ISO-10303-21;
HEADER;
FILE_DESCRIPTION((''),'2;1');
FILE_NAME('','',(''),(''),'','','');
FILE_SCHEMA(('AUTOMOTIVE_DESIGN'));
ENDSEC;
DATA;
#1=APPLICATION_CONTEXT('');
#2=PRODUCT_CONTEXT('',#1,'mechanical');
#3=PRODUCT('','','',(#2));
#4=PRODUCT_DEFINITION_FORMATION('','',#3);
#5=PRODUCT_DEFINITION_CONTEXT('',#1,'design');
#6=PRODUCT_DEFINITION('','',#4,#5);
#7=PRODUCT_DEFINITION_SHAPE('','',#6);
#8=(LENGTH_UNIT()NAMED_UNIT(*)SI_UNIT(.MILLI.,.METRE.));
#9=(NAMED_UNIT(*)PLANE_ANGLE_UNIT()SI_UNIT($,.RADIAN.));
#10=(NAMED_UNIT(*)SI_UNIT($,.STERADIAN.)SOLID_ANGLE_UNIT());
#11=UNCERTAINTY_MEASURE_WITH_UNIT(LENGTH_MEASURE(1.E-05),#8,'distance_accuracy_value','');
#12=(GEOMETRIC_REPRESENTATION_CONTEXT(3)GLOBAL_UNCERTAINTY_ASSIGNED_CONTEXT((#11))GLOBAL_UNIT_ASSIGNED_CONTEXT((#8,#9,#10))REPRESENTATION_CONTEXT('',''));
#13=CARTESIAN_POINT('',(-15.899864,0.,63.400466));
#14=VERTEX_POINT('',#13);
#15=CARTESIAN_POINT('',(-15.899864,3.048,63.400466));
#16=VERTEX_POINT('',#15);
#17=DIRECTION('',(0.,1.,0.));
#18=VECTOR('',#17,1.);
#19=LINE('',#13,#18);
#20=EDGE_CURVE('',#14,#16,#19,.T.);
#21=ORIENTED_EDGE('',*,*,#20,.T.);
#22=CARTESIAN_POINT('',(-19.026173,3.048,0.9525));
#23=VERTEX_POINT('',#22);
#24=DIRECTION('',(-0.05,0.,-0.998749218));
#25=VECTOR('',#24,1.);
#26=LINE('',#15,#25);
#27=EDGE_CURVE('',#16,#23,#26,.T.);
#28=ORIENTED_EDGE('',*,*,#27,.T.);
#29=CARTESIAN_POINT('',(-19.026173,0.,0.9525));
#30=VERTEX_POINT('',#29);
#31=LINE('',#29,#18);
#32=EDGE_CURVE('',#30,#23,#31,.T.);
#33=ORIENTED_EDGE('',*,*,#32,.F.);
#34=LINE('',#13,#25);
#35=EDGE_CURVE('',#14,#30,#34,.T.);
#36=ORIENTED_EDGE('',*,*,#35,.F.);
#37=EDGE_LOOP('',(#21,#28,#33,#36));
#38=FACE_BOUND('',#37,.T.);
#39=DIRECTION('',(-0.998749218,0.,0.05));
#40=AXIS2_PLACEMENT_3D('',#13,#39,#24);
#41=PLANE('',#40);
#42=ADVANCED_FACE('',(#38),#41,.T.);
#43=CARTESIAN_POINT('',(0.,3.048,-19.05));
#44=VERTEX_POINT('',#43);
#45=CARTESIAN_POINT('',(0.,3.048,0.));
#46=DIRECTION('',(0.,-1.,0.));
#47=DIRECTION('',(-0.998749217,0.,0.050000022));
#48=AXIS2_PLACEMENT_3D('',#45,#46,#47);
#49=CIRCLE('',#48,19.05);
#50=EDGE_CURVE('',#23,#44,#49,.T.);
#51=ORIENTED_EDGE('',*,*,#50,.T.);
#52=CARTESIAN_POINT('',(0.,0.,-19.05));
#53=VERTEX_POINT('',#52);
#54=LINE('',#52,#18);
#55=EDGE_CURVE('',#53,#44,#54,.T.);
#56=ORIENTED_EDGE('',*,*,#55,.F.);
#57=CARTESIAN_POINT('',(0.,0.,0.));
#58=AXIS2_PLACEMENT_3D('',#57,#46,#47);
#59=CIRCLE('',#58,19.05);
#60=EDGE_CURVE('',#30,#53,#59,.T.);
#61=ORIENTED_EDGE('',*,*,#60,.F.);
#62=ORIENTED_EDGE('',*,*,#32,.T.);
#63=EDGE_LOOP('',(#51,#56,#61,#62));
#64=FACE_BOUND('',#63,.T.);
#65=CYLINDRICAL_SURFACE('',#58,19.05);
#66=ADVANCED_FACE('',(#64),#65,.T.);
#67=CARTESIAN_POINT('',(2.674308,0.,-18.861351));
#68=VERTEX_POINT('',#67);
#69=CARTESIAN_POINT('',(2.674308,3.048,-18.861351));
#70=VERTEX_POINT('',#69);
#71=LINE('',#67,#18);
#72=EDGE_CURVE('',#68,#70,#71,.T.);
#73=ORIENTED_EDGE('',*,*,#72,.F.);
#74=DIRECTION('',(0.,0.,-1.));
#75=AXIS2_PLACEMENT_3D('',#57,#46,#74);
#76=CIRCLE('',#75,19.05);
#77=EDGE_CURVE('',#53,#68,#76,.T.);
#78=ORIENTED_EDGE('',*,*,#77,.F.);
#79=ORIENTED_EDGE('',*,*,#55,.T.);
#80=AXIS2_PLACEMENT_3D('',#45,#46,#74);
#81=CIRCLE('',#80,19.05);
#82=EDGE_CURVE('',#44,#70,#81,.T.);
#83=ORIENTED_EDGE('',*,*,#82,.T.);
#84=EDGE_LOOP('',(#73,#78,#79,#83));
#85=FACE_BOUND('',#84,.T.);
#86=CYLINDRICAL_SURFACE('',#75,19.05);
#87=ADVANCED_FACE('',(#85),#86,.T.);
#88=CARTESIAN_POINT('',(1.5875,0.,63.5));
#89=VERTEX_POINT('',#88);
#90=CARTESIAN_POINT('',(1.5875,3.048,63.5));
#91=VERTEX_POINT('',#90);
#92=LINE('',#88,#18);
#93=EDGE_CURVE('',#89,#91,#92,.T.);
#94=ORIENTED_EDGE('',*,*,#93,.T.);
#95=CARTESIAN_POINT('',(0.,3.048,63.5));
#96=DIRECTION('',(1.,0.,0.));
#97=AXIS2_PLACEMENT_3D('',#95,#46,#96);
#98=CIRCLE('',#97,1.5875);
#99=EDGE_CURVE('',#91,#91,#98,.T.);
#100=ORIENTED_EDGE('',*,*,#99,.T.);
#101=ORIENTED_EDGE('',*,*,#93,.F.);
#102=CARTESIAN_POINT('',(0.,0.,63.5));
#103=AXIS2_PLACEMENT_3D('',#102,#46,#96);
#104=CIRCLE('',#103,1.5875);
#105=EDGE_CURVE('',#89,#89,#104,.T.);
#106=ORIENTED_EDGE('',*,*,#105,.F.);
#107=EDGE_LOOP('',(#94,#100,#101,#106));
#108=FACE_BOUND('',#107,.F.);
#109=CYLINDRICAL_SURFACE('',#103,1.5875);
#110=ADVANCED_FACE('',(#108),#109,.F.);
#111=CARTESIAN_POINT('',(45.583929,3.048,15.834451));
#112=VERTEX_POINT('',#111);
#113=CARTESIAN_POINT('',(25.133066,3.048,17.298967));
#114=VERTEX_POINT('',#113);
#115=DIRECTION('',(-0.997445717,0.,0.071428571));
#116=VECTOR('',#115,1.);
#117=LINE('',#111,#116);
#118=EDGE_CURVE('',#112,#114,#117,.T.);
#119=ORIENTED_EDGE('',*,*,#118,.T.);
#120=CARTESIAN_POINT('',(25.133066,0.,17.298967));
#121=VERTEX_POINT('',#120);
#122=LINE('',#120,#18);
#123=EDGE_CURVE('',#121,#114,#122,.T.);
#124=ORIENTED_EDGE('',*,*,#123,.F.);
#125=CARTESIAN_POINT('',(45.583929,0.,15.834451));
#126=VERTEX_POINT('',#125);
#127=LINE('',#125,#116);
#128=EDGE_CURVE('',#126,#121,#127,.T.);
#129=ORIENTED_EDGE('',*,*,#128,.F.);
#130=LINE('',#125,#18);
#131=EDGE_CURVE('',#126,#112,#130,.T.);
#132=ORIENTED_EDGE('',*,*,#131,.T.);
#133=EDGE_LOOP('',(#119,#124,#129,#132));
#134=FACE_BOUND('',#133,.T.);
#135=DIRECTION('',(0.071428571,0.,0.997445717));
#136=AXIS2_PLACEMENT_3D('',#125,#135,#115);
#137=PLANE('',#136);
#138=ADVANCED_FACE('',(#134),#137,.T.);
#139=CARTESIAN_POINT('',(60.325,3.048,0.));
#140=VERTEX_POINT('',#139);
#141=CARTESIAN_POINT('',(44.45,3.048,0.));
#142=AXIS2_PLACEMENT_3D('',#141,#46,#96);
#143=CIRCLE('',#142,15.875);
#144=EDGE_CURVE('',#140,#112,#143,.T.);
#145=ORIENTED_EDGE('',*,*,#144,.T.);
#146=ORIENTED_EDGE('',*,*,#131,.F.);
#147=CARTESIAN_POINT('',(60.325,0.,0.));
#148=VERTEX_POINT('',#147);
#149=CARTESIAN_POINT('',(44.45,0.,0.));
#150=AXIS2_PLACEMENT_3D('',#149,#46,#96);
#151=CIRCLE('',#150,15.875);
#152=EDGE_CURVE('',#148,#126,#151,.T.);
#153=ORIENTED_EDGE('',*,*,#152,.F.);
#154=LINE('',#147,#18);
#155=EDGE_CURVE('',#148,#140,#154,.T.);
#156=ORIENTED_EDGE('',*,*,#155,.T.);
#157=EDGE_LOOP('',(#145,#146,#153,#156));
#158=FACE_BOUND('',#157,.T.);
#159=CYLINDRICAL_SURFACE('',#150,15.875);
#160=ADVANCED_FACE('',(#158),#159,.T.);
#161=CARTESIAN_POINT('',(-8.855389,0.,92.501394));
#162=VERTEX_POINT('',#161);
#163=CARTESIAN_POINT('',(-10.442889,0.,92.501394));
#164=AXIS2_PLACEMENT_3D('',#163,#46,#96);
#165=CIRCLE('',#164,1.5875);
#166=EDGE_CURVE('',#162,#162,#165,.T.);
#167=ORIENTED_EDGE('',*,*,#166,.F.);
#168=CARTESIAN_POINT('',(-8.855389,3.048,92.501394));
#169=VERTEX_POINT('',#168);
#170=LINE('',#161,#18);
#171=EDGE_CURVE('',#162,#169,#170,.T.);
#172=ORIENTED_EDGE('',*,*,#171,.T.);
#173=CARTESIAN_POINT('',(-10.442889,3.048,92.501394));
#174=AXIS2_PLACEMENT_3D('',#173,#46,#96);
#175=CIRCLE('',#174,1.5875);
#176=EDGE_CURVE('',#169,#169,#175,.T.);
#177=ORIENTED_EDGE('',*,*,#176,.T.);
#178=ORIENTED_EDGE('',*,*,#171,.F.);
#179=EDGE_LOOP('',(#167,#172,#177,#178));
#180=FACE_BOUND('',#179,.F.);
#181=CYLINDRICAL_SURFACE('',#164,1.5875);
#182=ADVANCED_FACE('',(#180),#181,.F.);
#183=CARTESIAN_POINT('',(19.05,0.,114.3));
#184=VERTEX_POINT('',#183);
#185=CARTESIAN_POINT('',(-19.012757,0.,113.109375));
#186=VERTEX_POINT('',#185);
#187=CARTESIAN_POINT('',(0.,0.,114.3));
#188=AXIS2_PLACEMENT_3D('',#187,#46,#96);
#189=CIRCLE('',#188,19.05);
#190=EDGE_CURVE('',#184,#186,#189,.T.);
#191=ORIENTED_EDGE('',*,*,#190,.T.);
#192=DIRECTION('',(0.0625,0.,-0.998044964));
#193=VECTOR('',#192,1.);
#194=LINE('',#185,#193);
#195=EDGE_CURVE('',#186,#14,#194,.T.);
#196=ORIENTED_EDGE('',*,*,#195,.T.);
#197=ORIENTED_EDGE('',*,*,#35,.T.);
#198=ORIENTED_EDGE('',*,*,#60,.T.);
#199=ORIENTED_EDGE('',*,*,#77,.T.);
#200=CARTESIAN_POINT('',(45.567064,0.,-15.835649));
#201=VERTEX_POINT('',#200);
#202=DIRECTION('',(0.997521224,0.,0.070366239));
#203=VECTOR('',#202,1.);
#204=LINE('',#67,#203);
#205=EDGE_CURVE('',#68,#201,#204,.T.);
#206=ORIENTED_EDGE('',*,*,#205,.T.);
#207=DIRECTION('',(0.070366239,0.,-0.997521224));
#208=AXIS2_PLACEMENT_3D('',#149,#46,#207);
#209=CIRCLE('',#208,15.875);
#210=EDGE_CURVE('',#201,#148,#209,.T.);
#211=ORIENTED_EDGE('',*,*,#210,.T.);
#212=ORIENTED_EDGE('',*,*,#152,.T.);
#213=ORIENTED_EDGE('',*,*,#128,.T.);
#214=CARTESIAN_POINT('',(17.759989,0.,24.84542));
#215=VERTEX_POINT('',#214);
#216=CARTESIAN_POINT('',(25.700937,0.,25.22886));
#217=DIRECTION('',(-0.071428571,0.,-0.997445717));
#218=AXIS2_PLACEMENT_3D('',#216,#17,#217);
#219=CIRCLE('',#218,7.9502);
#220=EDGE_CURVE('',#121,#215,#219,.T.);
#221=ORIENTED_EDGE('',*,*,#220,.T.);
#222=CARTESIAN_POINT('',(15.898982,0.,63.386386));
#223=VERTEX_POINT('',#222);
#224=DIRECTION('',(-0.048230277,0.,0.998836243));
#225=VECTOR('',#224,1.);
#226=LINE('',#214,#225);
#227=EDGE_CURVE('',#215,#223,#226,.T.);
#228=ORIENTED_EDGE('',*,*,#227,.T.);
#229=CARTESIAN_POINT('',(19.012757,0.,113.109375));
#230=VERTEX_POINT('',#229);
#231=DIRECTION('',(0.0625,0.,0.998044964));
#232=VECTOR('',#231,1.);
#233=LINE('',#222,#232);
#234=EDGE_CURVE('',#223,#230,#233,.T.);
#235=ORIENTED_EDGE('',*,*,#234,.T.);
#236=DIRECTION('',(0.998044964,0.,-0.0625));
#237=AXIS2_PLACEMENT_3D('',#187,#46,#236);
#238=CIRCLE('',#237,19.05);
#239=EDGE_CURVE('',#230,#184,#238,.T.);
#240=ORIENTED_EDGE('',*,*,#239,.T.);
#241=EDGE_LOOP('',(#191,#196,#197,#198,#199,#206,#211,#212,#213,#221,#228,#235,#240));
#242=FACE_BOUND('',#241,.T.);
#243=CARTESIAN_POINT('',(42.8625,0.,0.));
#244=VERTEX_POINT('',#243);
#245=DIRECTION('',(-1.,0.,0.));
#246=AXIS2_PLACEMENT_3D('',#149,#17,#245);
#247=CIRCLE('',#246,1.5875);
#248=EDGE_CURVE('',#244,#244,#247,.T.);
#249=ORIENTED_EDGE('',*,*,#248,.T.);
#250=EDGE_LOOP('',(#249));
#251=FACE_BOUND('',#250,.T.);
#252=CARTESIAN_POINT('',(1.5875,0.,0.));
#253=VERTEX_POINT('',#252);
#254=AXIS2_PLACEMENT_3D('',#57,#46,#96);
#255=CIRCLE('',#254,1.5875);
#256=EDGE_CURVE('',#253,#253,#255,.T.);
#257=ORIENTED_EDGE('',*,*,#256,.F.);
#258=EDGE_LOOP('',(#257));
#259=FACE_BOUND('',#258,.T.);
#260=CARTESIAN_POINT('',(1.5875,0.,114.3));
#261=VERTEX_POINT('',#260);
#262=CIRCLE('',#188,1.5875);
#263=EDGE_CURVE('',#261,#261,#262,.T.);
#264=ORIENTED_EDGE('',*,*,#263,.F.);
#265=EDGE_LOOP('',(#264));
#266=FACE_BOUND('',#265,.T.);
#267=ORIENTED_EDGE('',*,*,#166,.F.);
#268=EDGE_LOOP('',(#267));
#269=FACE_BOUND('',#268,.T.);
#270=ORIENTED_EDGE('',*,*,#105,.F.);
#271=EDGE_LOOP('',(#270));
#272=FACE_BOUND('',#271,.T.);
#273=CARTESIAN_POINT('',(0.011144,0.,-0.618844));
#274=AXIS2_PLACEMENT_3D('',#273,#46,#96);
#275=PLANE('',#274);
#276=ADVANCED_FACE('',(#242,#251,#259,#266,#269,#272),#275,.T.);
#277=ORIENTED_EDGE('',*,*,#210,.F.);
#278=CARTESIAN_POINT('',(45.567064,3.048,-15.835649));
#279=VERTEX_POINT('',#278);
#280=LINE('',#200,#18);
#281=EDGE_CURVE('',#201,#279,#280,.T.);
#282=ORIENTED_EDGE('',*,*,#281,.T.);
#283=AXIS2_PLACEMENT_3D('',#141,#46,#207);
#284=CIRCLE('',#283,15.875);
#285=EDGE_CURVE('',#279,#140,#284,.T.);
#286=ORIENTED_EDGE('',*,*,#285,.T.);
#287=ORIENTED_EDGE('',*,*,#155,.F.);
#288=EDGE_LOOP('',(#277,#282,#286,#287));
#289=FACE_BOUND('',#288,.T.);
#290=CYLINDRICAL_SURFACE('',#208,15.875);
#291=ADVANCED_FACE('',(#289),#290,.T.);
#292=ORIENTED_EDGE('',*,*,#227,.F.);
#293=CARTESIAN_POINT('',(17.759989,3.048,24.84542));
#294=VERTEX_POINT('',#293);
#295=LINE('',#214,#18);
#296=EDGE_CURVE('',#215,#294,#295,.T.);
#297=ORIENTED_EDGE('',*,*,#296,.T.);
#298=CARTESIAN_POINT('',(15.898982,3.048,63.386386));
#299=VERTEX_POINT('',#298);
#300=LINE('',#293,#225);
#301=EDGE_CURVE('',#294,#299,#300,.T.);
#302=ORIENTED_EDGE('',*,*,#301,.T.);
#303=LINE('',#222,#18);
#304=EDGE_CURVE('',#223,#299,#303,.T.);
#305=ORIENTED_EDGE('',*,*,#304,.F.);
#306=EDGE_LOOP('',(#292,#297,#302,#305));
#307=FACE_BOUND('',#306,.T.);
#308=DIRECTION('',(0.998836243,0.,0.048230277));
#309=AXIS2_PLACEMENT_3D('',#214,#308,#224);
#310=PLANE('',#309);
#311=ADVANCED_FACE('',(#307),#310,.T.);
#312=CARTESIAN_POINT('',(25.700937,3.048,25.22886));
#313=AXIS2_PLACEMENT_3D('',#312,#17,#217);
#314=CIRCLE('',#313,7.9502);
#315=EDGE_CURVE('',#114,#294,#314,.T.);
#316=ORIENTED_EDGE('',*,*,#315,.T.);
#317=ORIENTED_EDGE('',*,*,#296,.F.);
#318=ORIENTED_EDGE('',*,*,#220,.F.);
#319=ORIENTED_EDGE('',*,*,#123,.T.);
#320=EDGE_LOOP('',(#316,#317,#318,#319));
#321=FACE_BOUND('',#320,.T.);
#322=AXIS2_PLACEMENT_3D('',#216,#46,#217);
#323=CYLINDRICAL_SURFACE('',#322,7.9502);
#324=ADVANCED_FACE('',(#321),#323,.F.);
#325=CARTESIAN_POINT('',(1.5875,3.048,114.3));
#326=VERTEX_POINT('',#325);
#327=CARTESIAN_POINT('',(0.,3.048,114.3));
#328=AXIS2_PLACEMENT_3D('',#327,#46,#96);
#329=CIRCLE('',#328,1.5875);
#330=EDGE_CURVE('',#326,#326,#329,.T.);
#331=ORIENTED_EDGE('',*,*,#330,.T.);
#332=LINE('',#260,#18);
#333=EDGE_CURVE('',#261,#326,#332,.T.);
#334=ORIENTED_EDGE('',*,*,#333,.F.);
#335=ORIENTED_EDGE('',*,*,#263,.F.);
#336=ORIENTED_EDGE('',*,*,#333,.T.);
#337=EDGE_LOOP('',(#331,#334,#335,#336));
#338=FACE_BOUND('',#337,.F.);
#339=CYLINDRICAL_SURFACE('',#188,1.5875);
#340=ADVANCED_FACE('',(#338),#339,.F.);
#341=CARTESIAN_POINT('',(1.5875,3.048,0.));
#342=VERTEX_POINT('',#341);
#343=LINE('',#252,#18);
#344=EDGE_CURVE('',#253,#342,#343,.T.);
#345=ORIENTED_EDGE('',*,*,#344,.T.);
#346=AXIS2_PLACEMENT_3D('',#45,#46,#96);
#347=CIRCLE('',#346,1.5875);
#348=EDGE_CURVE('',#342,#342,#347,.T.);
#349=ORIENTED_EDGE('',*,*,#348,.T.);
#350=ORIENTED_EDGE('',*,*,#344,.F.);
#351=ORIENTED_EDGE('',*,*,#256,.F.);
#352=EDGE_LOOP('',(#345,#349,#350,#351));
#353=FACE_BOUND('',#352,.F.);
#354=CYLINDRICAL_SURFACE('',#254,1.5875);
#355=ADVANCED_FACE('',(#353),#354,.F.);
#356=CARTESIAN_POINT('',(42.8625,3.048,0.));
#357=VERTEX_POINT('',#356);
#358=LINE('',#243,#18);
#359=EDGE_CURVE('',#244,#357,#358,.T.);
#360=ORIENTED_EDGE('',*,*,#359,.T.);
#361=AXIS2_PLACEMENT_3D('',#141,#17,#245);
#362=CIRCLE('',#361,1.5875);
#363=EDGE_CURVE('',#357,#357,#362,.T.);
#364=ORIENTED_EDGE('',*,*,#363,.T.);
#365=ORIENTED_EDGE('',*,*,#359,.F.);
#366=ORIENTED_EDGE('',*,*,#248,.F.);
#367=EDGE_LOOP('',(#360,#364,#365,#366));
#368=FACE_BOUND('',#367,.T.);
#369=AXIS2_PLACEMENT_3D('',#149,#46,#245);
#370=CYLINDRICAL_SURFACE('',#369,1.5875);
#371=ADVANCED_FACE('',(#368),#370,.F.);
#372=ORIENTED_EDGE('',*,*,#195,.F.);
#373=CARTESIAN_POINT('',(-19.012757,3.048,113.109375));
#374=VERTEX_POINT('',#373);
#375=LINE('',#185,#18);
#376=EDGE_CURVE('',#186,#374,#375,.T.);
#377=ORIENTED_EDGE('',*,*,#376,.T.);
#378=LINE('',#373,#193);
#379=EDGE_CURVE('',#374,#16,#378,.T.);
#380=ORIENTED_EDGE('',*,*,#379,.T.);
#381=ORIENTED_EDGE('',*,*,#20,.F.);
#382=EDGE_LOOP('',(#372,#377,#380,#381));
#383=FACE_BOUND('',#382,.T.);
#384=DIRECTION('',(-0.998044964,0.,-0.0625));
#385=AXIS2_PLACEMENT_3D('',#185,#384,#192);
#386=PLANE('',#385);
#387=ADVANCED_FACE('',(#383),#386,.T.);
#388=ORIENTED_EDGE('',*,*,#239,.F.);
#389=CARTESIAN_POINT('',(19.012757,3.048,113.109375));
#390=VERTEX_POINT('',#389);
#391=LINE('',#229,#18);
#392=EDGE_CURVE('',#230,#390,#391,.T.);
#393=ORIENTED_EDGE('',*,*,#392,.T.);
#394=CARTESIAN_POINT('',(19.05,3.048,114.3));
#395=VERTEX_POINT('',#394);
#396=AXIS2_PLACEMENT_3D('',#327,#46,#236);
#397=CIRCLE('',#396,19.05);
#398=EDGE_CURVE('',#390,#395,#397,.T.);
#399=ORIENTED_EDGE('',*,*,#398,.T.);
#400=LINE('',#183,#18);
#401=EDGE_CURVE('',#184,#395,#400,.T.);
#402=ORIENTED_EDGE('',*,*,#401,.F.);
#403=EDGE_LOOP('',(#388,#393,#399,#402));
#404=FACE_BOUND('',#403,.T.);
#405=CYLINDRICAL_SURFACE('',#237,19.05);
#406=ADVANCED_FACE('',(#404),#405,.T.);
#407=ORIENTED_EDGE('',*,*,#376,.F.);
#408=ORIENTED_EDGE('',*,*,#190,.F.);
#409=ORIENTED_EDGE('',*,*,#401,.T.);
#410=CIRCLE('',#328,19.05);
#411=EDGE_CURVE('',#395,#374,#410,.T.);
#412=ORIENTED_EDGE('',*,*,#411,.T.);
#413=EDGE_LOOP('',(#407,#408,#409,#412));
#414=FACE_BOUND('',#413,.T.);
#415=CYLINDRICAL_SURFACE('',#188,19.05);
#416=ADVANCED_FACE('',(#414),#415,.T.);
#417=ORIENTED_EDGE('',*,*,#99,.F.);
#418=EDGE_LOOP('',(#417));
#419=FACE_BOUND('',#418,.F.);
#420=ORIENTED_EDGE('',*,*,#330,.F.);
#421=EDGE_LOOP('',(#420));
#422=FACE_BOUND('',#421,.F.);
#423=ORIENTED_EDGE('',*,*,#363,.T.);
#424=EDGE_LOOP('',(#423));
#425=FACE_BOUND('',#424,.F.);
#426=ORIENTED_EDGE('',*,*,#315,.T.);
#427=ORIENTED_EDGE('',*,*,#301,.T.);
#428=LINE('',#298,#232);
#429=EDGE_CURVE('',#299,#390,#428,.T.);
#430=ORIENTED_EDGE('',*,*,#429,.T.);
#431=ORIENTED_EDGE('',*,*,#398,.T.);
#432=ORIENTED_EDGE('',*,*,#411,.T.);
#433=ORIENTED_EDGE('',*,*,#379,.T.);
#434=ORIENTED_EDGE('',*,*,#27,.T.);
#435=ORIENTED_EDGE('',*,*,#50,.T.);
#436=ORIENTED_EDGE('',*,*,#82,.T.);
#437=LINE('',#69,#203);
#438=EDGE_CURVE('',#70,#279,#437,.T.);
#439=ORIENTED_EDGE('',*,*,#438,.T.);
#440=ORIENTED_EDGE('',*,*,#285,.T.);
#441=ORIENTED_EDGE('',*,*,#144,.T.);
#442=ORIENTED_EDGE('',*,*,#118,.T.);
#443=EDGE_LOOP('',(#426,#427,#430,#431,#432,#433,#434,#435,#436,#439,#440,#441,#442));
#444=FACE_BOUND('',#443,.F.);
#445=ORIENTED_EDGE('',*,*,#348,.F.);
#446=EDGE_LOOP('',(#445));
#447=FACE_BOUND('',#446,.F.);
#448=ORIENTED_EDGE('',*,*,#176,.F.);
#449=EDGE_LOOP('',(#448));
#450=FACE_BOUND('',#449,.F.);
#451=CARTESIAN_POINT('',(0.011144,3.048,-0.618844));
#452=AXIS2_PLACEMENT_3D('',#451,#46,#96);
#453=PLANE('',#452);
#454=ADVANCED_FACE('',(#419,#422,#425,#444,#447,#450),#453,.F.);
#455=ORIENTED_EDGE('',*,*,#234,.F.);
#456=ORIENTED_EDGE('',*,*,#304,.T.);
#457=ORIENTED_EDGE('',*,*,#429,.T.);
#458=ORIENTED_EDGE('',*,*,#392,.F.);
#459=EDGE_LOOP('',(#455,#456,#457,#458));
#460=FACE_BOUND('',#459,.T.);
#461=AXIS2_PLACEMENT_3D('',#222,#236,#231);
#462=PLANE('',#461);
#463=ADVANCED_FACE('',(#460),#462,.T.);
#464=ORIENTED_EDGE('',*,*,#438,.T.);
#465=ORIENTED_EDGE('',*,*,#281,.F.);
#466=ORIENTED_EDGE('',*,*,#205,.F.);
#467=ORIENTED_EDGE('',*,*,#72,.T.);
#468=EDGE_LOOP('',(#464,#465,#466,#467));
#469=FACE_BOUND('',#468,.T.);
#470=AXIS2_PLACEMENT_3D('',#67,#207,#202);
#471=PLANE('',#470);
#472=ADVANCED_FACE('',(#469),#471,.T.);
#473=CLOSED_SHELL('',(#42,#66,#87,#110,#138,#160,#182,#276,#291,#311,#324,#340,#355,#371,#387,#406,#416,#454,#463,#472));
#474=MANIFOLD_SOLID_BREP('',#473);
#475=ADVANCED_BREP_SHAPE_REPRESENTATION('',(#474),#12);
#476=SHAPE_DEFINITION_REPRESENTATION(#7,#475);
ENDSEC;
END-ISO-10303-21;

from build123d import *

# Parameters (mm, degrees)
F0_R     = 1.5875
F1_DEPTH = 3.048


with BuildPart() as f1:
    # F0 (on Front) → F1 (new body)
    with BuildSketch(Plane.XZ):
        with BuildLine():
            ThreePointArc((2.6743082177, -18.8613513714), (14.3848543883, -12.4891338461), (19.05, 0))
            ThreePointArc((19.05, 0), (0.4763992031, 19.0440422127), (-19.0261725774, 0.9525004235))
            ThreePointArc((-19.0261725774, 0.9525004235), (-13.8030364969, -13.1293062827), (0, -19.05))
            Line((0, -19.05), (2.6743082177, -18.8613513714))
        make_face()
        Circle(F0_R, mode=Mode.SUBTRACT)
        with BuildLine():
            ThreePointArc((-19.0261725774, 0.9525004235), (0.4763992031, 19.0440422127), (19.05, 0))
            Line((19.05, 0), (28.575, 0))
            ThreePointArc((28.575, 0), (33.6330108411, 11.6193102435), (45.5839285714, 15.8344507639))
            Line((45.5839285714, 15.8344507639), (25.1330658708, 17.2989674606))
            ThreePointArc((25.1330658708, 17.2989674606), (20.0143532381, 19.6729228807), (17.7599894, 24.8454200569))
            Line((17.7599894, 24.8454200569), (15.8989821959, 63.3863857925))
            Line((15.8989821959, 63.3863857925), (19.0127565626, 113.109375))
            ThreePointArc((19.0127565626, 113.109375), (0, 95.25), (-19.0127565626, 113.109375))
            Line((-19.0127565626, 113.109375), (-15.8998639519, 63.4004663068))
            Line((-15.8998639519, 63.4004663068), (-19.0261725774, 0.9525004235))
        make_face()
        with Locations((0, 63.5)):
            Circle(F0_R, mode=Mode.SUBTRACT)
        with Locations((-10.4428892955, 92.5013944507)):
            Circle(F0_R, mode=Mode.SUBTRACT)
        with BuildLine():
            Line((28.575, 0), (19.05, 0))
            ThreePointArc((19.05, 0), (14.3848543883, -12.4891338461), (2.6743082177, -18.8613513714))
            Line((2.6743082177, -18.8613513714), (45.5670640422, -15.8356494318))
            ThreePointArc((45.5670640422, -15.8356494318), (33.6268250192, -11.6135484816), (28.575, 0))
        make_face()
        with BuildLine():
            ThreePointArc((45.5839285714, 15.8344507639), (33.6330108411, 11.6193102435), (28.575, 0))
            ThreePointArc((28.575, 0), (33.6268250192, -11.6135484816), (45.5670640422, -15.8356494318))
            ThreePointArc((45.5670640422, -15.8356494318), (56.0635484816, -10.8231749808), (60.325, 0))
            ThreePointArc((60.325, 0), (56.0693102435, 10.8169891589), (45.5839285714, 15.8344507639))
        make_face()
        with BuildLine():
            ThreePointArc((46.0375, 0), (44.45, -1.5875), (42.8625, 0))
            ThreePointArc((42.8625, 0), (44.45, 1.5875), (46.0375, 0))
        make_face(mode=Mode.SUBTRACT)
        with BuildLine():
            ThreePointArc((0, -19.05), (1.3404768506, -19.0027793181), (2.6743082177, -18.8613513714))
            Line((2.6743082177, -18.8613513714), (0, -19.05))
        make_face()
        with BuildLine():
            ThreePointArc((19.05, 114.3), (-0.5956036778, 133.3406868642), (-19.0127565626, 113.109375))
            ThreePointArc((-19.0127565626, 113.109375), (0, 95.25), (19.0127565626, 113.109375))
            ThreePointArc((19.0127565626, 113.109375), (19.0406868642, 113.7043963222), (19.05, 114.3))
        make_face()
        with Locations((0, 114.3)):
            Circle(F0_R, mode=Mode.SUBTRACT)
    extrude(amount=-F1_DEPTH)


solid = f1.part
